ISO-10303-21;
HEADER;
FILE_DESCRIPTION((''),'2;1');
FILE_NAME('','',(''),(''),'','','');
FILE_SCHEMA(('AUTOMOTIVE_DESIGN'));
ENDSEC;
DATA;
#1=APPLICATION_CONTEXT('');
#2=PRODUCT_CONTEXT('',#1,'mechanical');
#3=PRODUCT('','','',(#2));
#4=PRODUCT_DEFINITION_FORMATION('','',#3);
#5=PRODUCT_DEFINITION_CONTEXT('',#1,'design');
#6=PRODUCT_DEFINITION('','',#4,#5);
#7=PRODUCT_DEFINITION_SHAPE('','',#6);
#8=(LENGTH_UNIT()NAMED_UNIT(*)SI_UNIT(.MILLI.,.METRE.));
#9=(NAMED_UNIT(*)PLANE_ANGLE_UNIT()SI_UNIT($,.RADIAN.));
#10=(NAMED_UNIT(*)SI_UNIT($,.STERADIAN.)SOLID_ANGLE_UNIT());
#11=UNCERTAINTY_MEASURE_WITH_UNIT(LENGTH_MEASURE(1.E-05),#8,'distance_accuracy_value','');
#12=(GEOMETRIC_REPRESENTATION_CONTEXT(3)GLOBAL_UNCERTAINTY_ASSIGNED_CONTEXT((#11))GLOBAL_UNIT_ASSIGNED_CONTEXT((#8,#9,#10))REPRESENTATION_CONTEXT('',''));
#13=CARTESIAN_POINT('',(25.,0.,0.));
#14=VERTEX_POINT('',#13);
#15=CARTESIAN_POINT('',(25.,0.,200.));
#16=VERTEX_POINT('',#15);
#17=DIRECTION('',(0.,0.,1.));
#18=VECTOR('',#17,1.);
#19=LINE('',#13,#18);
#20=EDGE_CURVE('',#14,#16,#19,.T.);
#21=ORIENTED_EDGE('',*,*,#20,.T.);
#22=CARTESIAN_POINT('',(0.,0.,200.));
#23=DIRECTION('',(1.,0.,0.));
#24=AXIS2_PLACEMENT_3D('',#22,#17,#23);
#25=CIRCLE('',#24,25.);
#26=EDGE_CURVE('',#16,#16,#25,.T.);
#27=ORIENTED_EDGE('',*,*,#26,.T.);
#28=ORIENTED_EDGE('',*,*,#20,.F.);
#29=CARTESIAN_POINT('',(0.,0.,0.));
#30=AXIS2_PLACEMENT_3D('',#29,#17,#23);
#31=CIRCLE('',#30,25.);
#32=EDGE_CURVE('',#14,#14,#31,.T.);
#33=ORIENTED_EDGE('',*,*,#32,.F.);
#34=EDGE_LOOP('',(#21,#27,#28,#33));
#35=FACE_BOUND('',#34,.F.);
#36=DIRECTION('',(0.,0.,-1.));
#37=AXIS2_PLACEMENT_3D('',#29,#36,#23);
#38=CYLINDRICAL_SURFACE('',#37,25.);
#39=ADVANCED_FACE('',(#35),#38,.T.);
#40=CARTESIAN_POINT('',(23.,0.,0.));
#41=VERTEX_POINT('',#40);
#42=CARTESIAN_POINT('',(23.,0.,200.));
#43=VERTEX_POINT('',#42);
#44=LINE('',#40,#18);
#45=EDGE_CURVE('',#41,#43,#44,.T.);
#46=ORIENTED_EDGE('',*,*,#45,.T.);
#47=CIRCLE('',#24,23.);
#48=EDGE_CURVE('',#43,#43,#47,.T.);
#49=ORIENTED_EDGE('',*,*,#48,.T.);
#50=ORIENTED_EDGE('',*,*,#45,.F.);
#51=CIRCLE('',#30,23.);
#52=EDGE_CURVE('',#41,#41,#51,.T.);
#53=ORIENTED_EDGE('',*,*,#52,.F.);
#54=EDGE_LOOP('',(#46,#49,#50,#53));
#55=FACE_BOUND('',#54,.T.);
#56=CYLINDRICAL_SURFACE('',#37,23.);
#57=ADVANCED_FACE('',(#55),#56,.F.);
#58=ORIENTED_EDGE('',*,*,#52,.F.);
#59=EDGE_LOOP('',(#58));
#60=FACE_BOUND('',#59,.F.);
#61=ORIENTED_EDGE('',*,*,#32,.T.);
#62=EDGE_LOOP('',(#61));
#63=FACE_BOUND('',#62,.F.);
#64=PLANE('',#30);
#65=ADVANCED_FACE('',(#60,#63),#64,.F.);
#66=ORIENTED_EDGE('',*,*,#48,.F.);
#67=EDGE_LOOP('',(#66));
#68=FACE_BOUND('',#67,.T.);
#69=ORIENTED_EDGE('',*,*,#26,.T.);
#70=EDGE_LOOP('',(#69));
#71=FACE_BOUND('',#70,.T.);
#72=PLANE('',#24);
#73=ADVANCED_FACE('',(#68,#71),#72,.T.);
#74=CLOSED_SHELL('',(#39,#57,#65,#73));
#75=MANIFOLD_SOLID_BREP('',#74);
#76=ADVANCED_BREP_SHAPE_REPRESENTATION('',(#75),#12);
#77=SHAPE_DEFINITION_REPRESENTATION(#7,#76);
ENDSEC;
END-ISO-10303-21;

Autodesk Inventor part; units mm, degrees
ref_plane "YZ Plane" through (0, 0, 0) normal (1, 0, 0) x (0, 1, 0)
ref_plane "XZ Plane" through (0, 0, 0) normal (0, 1, 0) x (-1, 0, 0)
ref_plane "XY Plane" through (0, 0, 0) normal (0, 0, 1) x (1, 0, 0)
sketch "Sketch1" plane through (0, 0, 0) normal (0, 0, 1) x (1, 0, 0)
  circle A0 centre (0, 0) radius 25
  circle A1 centre (0, 0) radius 23
  dimension "d0" = 50
  dimension "d1" = 46
extrude "Extrusion1" add sketch "Sketch1" along normal blind 200
properties part number "Rolo_A_ativo"
